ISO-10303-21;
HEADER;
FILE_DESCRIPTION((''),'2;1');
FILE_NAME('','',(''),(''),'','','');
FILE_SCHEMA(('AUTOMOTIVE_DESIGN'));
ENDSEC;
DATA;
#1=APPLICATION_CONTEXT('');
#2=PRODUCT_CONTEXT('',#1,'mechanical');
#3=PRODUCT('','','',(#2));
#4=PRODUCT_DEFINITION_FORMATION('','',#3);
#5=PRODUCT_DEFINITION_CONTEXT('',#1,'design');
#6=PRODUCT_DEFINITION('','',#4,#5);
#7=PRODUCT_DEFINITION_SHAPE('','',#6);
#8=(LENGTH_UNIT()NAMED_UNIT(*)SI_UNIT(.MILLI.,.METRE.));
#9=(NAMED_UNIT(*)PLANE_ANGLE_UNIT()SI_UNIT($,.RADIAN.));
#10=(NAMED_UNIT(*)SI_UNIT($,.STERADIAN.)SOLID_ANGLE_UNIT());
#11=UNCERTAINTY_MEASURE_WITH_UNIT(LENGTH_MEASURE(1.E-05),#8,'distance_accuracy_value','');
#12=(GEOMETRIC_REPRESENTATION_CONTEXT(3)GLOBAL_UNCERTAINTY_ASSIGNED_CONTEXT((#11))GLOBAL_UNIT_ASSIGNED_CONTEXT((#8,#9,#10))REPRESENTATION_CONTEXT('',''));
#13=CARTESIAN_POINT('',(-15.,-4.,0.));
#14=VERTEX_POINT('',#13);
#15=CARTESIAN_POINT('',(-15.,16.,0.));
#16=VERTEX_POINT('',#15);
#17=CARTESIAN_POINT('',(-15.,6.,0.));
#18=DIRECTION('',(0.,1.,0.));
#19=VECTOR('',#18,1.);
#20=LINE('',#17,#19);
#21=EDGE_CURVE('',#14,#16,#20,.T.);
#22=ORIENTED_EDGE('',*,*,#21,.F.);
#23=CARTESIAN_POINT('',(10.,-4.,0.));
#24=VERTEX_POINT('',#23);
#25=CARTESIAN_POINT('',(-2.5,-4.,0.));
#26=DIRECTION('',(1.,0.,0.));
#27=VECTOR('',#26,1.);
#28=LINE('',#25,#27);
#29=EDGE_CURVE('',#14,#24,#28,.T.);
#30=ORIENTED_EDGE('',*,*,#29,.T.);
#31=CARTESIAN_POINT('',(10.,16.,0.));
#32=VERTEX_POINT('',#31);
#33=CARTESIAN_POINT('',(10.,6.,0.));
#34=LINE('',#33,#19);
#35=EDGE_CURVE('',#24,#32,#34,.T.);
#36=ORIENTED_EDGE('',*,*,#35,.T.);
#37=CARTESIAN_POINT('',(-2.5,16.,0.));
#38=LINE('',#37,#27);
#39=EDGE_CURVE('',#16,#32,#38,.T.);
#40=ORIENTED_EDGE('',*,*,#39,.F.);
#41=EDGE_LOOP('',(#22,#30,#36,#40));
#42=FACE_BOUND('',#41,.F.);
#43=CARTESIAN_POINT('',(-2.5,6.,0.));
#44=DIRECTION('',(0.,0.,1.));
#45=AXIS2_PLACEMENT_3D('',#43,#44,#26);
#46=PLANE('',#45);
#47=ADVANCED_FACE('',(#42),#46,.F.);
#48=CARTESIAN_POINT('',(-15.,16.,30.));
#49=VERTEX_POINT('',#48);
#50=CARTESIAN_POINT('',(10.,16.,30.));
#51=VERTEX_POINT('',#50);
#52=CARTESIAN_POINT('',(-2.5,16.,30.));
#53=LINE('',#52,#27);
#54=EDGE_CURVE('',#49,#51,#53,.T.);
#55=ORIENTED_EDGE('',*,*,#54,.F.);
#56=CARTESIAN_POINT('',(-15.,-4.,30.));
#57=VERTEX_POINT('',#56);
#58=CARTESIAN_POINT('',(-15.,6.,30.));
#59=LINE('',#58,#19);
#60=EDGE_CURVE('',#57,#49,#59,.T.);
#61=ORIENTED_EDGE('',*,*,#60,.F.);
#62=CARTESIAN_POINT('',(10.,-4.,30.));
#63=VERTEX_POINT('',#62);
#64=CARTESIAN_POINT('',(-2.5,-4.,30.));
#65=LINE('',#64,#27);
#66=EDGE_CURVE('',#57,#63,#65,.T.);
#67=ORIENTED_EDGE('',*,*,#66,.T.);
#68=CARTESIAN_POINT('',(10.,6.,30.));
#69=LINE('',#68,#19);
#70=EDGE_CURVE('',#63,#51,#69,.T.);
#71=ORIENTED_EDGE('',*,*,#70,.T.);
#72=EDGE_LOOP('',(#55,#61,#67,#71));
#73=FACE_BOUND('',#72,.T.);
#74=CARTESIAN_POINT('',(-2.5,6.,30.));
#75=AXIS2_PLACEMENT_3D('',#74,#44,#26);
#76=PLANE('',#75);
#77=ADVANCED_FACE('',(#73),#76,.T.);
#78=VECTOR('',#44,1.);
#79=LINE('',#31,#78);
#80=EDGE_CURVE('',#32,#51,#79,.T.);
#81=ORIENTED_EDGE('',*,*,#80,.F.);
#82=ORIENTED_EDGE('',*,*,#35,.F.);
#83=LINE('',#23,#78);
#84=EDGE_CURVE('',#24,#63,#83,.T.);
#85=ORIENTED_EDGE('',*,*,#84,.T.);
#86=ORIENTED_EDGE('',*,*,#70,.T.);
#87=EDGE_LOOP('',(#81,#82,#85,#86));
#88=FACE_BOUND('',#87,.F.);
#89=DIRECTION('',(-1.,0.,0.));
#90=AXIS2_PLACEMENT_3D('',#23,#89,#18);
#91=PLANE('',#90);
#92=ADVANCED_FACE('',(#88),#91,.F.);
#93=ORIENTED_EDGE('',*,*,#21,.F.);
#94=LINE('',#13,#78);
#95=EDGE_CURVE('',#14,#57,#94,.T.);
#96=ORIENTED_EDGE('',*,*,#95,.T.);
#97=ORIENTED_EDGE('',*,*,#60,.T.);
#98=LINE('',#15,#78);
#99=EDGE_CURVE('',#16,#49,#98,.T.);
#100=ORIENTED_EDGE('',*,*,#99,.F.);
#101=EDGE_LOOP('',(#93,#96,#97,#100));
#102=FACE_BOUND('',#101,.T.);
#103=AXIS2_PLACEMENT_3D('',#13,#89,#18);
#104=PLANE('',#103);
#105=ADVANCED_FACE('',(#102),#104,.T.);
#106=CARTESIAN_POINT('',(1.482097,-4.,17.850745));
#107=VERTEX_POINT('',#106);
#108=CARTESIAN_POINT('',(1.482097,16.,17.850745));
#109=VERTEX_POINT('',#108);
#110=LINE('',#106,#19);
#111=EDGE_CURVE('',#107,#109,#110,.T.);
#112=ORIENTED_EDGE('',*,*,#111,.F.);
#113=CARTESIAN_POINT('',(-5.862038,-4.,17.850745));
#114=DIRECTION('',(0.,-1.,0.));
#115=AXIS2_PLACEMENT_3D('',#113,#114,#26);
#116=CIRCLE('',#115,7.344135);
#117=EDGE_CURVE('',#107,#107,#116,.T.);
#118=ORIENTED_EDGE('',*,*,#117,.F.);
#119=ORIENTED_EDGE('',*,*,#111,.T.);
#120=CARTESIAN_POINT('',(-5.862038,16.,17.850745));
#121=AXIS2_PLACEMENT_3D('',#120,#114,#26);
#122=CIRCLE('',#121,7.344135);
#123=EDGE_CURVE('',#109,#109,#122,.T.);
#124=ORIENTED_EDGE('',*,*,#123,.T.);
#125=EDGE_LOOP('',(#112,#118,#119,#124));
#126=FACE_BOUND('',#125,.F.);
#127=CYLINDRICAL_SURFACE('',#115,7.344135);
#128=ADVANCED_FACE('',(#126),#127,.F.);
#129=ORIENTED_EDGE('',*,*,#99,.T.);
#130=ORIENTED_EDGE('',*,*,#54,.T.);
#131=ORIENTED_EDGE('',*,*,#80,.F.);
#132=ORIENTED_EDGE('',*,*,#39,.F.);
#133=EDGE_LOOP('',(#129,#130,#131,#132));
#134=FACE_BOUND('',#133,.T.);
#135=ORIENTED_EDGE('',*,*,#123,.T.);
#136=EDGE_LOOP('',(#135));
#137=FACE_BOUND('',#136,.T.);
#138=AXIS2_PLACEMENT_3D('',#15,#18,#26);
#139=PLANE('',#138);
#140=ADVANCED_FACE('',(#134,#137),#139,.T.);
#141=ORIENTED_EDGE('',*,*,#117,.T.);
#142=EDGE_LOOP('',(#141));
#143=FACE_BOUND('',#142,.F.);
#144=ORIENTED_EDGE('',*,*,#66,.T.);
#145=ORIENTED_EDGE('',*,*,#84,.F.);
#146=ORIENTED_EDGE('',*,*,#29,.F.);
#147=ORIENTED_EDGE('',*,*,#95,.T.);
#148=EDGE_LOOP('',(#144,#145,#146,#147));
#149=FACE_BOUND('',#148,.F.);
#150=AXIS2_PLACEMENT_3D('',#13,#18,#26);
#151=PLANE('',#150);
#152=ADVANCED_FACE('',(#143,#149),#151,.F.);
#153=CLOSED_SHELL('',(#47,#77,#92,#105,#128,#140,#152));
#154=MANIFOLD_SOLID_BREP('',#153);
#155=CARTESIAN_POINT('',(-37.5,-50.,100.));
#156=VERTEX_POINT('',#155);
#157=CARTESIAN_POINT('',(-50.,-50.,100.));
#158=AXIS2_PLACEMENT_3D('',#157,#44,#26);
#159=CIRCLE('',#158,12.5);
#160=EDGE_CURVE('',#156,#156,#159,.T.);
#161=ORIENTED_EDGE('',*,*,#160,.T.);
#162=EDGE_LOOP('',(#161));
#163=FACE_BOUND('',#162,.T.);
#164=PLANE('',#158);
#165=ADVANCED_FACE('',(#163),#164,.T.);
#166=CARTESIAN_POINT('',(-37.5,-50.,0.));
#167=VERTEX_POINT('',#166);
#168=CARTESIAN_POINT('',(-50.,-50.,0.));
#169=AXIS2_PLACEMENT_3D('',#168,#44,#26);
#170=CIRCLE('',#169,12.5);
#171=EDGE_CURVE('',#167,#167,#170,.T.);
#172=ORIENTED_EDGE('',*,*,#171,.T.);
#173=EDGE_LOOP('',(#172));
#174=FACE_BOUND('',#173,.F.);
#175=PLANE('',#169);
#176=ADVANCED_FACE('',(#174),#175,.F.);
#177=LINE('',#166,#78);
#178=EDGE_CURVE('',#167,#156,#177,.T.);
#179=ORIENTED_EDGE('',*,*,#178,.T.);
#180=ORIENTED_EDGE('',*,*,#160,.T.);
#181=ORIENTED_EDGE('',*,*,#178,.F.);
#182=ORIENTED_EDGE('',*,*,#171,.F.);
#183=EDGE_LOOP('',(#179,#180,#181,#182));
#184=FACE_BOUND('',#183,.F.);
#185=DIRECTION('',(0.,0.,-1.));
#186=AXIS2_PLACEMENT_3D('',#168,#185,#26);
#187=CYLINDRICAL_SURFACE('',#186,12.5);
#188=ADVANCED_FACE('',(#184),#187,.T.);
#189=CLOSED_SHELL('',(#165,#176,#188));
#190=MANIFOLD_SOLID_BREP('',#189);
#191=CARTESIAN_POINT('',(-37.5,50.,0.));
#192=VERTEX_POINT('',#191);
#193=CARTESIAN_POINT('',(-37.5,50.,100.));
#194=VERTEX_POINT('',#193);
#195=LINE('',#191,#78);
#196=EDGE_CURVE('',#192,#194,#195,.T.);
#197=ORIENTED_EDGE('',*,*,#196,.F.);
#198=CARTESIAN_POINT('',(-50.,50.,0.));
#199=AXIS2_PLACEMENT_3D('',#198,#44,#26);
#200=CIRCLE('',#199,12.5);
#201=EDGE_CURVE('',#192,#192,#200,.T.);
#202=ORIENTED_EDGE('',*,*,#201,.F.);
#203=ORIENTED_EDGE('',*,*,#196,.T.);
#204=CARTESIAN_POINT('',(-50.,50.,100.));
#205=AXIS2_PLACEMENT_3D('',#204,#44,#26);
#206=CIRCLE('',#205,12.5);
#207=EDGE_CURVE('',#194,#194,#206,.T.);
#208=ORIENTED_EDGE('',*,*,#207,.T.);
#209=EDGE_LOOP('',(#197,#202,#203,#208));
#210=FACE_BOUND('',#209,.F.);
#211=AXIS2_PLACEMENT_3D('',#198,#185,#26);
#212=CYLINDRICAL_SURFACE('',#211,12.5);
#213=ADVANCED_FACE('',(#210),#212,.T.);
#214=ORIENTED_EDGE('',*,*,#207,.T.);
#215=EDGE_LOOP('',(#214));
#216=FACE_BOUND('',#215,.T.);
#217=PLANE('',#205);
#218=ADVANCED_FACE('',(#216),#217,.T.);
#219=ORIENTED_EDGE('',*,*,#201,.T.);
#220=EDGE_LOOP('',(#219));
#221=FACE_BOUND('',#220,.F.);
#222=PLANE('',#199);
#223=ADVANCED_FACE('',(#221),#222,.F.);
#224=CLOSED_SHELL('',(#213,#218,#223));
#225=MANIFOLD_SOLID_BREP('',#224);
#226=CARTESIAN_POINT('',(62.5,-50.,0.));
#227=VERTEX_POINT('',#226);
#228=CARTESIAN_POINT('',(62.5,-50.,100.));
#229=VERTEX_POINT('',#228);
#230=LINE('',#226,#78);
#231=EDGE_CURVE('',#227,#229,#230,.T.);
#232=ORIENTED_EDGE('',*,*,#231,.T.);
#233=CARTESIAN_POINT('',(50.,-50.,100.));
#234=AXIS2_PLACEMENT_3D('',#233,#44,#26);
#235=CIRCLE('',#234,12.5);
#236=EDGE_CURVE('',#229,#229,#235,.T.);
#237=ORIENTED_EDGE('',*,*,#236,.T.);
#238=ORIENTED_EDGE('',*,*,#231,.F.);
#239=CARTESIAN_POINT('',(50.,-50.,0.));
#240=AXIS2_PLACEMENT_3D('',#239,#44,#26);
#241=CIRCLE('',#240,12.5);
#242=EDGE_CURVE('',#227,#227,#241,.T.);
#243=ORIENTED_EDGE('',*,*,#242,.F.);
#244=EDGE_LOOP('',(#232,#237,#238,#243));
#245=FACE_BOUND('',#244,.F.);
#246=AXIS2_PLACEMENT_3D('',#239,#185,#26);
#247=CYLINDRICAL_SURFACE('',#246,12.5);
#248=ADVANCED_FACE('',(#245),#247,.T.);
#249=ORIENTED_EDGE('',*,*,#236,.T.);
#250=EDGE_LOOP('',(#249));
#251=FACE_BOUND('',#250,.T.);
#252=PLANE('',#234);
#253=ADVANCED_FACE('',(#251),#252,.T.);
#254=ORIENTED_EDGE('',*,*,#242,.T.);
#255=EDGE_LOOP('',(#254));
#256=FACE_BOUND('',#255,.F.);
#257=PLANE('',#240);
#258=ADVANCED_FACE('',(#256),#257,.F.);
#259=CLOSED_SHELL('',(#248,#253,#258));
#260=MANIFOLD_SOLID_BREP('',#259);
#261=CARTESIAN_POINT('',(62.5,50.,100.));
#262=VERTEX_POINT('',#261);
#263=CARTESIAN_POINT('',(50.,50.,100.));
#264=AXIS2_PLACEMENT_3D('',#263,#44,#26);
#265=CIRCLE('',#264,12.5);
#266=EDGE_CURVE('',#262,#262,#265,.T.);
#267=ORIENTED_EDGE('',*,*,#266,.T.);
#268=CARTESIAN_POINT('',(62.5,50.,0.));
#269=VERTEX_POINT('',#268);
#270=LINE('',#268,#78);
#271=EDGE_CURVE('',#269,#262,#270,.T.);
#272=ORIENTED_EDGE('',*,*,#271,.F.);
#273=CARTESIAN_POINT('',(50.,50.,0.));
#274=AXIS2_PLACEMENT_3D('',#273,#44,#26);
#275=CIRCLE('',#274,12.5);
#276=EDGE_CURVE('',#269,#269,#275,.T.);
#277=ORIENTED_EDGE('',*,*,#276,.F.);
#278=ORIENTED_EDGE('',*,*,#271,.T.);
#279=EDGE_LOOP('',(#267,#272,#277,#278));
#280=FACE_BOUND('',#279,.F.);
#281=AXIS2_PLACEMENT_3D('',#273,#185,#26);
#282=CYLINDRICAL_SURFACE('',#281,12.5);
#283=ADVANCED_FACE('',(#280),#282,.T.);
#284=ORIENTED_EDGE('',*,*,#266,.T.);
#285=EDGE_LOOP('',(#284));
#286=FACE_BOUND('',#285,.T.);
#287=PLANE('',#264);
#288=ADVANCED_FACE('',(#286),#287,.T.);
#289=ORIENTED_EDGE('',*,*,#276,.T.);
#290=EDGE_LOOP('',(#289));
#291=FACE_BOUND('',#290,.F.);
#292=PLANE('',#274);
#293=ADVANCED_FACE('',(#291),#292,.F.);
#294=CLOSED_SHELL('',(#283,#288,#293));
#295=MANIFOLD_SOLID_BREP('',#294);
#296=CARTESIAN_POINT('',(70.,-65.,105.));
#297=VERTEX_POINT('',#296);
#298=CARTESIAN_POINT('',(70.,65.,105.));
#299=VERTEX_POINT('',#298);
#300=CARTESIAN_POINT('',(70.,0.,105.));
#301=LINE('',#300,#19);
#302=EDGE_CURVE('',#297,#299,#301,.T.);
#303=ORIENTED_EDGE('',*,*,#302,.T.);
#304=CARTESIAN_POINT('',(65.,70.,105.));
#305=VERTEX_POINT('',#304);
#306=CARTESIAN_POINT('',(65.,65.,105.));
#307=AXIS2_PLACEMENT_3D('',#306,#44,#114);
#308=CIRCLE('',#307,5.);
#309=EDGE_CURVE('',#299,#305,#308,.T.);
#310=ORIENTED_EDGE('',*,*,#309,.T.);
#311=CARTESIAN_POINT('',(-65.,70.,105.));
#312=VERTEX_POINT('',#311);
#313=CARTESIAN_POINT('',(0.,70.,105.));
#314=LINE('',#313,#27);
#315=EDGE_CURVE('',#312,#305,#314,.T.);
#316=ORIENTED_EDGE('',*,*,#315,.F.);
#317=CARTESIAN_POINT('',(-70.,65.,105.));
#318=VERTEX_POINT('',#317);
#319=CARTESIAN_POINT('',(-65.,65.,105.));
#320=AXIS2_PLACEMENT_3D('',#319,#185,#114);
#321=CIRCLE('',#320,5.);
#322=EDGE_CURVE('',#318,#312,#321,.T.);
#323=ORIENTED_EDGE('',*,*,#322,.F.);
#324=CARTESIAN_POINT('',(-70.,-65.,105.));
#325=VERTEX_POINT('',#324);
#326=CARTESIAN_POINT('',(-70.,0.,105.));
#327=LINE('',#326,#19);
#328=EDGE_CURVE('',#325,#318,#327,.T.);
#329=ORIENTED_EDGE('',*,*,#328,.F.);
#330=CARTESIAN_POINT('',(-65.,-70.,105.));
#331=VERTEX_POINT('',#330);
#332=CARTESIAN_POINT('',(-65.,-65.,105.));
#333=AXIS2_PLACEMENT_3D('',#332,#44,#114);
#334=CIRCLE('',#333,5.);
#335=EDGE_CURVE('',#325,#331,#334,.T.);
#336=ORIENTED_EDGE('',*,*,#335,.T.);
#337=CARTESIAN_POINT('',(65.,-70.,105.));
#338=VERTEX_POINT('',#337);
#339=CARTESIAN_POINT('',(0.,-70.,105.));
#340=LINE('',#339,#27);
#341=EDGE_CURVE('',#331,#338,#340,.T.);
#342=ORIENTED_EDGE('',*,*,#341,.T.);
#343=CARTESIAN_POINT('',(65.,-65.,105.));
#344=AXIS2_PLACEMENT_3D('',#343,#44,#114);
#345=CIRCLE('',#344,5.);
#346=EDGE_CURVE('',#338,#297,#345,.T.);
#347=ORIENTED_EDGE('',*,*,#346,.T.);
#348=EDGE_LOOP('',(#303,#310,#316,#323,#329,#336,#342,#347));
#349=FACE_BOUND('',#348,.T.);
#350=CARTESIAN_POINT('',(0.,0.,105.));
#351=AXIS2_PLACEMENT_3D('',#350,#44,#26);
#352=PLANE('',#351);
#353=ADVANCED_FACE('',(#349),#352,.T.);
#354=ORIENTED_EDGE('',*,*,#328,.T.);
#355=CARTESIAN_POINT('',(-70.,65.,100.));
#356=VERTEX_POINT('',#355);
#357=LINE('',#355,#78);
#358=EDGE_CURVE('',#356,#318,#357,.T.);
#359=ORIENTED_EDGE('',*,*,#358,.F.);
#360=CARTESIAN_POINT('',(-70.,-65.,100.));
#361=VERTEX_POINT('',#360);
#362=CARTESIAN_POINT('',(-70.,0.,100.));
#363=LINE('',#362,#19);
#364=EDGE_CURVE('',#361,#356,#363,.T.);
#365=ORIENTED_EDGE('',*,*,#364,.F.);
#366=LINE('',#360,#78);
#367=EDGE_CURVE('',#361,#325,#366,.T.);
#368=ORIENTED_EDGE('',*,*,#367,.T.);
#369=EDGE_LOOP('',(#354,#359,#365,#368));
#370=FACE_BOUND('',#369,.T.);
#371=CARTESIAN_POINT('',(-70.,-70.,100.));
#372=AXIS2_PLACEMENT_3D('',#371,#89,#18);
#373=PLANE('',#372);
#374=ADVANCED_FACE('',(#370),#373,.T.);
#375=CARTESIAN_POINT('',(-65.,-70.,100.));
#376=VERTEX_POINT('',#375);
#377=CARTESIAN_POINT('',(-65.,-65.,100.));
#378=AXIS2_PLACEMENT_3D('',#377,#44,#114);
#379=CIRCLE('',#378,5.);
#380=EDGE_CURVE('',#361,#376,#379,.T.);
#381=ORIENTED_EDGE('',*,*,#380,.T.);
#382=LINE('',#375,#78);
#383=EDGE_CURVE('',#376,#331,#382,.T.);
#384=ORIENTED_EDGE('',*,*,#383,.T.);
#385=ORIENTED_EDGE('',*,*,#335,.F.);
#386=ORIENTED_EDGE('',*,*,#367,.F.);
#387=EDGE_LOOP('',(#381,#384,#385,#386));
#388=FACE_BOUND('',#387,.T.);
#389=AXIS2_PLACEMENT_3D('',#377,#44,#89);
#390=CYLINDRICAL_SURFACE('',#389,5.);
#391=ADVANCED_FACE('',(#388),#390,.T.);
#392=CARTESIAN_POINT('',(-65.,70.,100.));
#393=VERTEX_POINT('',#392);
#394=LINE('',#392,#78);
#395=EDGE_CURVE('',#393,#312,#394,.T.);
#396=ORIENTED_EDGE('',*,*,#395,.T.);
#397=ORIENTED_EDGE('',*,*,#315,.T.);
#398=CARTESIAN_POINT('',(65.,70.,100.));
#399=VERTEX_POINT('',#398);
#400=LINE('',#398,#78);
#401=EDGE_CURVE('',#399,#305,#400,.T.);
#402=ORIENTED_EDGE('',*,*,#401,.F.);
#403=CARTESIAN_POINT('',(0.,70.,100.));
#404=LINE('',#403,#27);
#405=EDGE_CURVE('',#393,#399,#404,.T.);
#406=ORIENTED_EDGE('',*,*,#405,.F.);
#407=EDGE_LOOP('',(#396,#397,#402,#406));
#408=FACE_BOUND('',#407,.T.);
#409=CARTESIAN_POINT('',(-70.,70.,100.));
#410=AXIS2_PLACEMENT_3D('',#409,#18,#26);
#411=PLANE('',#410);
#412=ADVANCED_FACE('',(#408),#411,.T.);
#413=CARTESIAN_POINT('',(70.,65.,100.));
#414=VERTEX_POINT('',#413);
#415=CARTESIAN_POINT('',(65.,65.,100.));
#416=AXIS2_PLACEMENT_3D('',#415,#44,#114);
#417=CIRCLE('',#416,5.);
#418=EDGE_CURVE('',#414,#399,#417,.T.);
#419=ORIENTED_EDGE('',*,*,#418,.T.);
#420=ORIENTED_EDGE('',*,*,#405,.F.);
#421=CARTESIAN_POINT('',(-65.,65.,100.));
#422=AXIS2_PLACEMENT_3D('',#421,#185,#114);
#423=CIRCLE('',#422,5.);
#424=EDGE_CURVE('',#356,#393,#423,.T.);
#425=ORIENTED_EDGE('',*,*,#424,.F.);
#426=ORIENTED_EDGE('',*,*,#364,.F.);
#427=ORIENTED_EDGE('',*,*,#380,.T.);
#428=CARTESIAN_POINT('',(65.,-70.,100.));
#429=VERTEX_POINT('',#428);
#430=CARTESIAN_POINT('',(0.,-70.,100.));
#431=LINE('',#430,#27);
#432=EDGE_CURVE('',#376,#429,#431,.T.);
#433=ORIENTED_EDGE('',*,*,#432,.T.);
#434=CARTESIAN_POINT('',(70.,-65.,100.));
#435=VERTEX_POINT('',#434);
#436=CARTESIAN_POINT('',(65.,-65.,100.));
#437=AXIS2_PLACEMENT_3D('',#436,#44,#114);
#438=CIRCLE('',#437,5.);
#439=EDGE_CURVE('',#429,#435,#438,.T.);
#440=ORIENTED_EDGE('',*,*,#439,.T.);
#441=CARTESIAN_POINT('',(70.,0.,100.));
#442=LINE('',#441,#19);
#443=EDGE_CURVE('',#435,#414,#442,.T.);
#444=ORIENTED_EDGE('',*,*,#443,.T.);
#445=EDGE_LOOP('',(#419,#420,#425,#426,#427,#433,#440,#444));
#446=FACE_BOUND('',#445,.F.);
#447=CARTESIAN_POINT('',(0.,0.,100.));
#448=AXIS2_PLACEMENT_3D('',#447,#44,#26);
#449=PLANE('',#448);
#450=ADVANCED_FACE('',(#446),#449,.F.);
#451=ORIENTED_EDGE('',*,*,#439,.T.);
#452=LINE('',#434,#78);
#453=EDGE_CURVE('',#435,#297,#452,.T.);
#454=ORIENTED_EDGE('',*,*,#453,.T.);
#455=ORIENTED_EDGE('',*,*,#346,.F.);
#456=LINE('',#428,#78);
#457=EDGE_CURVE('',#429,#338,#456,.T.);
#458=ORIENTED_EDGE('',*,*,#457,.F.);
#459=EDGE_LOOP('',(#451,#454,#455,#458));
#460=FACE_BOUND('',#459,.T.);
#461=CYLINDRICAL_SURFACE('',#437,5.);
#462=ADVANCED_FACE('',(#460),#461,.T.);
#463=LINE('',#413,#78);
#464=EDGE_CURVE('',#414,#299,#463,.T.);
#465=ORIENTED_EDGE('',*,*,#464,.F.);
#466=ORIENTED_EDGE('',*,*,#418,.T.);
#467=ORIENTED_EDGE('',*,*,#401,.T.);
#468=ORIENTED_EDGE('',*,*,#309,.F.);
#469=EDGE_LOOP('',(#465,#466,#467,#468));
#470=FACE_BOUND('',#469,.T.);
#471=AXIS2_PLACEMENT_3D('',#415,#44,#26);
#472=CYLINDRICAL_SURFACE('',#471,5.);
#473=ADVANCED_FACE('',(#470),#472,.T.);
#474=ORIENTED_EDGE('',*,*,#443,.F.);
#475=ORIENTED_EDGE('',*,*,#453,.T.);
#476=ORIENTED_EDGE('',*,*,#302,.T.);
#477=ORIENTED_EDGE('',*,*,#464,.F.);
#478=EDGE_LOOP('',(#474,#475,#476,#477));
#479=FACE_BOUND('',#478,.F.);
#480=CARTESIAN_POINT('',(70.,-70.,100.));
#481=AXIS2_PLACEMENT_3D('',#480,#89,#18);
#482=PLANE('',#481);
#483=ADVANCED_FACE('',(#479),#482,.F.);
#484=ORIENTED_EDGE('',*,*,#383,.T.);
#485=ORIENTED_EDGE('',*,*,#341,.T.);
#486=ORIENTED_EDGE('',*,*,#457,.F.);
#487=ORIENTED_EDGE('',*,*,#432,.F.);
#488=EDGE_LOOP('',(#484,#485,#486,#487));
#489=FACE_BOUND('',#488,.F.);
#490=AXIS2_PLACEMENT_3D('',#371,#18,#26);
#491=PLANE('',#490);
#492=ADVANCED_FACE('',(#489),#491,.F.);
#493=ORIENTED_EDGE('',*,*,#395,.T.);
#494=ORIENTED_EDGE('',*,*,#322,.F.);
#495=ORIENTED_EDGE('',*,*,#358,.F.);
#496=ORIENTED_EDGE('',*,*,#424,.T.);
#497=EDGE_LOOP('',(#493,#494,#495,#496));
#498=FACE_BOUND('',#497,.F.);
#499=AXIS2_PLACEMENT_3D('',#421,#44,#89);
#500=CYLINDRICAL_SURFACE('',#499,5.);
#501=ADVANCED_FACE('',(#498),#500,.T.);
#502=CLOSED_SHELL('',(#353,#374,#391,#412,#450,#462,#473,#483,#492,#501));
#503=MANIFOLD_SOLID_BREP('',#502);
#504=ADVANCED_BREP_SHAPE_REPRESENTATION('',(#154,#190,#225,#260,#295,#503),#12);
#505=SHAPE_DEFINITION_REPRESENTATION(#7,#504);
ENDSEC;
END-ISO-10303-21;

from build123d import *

# Parameters (mm, degrees)
F0_W     = 25
F0_H     = 20
F1_DEPTH = 30
F2_R     = 7.344135
F3_DEPTH = 20
F4_R     = 12.5
F5_DEPTH = 100
F6_W     = 140
F6_H     = 140
F7_DEPTH = 5
F8_R     = 5


with BuildPart() as f1:
    # F0 (on Top) → F1 (new body)
    with BuildSketch(Plane.XY):
        with Locations((-2.5, 6)):
            Rectangle(F0_W, F0_H)
    extrude(amount=F1_DEPTH)

    # F2 (on face) → F3 (cut, through all)
    with BuildSketch(Plane.XZ.offset(4)):
        with Locations((-5.862038, 17.850745)):
            Circle(F2_R)
    extrude(amount=-F3_DEPTH, mode=Mode.SUBTRACT)


with BuildPart() as f5:
    # F4 (on Top) → F5 (new body)
    with BuildSketch(Plane.XY):
        with Locations((-50, -50)):
            Circle(F4_R)
        with Locations((-50, 50)):
            Circle(F4_R)
        with Locations((50, 50)):
            Circle(F4_R)
        with Locations((50, -50)):
            Circle(F4_R)
    extrude(amount=F5_DEPTH)


with BuildPart() as f7:
    # F6 (on face) → F7 (new body)
    with BuildSketch(Plane.XY.offset(100)):
        Rectangle(F6_W, F6_H)
    extrude(amount=F7_DEPTH)

    # F8
    f8_edges = [f7.edges().sort_by_distance(p)[0] for p in [
        (-70, -70, 102.5),
        (70, -70, 102.5),
        (70, 70, 102.5),
        (-70, 70, 102.5),
    ]]
    fillet(f8_edges, radius=F8_R)


solid = Compound([f1.part, f5.part, f7.part])
